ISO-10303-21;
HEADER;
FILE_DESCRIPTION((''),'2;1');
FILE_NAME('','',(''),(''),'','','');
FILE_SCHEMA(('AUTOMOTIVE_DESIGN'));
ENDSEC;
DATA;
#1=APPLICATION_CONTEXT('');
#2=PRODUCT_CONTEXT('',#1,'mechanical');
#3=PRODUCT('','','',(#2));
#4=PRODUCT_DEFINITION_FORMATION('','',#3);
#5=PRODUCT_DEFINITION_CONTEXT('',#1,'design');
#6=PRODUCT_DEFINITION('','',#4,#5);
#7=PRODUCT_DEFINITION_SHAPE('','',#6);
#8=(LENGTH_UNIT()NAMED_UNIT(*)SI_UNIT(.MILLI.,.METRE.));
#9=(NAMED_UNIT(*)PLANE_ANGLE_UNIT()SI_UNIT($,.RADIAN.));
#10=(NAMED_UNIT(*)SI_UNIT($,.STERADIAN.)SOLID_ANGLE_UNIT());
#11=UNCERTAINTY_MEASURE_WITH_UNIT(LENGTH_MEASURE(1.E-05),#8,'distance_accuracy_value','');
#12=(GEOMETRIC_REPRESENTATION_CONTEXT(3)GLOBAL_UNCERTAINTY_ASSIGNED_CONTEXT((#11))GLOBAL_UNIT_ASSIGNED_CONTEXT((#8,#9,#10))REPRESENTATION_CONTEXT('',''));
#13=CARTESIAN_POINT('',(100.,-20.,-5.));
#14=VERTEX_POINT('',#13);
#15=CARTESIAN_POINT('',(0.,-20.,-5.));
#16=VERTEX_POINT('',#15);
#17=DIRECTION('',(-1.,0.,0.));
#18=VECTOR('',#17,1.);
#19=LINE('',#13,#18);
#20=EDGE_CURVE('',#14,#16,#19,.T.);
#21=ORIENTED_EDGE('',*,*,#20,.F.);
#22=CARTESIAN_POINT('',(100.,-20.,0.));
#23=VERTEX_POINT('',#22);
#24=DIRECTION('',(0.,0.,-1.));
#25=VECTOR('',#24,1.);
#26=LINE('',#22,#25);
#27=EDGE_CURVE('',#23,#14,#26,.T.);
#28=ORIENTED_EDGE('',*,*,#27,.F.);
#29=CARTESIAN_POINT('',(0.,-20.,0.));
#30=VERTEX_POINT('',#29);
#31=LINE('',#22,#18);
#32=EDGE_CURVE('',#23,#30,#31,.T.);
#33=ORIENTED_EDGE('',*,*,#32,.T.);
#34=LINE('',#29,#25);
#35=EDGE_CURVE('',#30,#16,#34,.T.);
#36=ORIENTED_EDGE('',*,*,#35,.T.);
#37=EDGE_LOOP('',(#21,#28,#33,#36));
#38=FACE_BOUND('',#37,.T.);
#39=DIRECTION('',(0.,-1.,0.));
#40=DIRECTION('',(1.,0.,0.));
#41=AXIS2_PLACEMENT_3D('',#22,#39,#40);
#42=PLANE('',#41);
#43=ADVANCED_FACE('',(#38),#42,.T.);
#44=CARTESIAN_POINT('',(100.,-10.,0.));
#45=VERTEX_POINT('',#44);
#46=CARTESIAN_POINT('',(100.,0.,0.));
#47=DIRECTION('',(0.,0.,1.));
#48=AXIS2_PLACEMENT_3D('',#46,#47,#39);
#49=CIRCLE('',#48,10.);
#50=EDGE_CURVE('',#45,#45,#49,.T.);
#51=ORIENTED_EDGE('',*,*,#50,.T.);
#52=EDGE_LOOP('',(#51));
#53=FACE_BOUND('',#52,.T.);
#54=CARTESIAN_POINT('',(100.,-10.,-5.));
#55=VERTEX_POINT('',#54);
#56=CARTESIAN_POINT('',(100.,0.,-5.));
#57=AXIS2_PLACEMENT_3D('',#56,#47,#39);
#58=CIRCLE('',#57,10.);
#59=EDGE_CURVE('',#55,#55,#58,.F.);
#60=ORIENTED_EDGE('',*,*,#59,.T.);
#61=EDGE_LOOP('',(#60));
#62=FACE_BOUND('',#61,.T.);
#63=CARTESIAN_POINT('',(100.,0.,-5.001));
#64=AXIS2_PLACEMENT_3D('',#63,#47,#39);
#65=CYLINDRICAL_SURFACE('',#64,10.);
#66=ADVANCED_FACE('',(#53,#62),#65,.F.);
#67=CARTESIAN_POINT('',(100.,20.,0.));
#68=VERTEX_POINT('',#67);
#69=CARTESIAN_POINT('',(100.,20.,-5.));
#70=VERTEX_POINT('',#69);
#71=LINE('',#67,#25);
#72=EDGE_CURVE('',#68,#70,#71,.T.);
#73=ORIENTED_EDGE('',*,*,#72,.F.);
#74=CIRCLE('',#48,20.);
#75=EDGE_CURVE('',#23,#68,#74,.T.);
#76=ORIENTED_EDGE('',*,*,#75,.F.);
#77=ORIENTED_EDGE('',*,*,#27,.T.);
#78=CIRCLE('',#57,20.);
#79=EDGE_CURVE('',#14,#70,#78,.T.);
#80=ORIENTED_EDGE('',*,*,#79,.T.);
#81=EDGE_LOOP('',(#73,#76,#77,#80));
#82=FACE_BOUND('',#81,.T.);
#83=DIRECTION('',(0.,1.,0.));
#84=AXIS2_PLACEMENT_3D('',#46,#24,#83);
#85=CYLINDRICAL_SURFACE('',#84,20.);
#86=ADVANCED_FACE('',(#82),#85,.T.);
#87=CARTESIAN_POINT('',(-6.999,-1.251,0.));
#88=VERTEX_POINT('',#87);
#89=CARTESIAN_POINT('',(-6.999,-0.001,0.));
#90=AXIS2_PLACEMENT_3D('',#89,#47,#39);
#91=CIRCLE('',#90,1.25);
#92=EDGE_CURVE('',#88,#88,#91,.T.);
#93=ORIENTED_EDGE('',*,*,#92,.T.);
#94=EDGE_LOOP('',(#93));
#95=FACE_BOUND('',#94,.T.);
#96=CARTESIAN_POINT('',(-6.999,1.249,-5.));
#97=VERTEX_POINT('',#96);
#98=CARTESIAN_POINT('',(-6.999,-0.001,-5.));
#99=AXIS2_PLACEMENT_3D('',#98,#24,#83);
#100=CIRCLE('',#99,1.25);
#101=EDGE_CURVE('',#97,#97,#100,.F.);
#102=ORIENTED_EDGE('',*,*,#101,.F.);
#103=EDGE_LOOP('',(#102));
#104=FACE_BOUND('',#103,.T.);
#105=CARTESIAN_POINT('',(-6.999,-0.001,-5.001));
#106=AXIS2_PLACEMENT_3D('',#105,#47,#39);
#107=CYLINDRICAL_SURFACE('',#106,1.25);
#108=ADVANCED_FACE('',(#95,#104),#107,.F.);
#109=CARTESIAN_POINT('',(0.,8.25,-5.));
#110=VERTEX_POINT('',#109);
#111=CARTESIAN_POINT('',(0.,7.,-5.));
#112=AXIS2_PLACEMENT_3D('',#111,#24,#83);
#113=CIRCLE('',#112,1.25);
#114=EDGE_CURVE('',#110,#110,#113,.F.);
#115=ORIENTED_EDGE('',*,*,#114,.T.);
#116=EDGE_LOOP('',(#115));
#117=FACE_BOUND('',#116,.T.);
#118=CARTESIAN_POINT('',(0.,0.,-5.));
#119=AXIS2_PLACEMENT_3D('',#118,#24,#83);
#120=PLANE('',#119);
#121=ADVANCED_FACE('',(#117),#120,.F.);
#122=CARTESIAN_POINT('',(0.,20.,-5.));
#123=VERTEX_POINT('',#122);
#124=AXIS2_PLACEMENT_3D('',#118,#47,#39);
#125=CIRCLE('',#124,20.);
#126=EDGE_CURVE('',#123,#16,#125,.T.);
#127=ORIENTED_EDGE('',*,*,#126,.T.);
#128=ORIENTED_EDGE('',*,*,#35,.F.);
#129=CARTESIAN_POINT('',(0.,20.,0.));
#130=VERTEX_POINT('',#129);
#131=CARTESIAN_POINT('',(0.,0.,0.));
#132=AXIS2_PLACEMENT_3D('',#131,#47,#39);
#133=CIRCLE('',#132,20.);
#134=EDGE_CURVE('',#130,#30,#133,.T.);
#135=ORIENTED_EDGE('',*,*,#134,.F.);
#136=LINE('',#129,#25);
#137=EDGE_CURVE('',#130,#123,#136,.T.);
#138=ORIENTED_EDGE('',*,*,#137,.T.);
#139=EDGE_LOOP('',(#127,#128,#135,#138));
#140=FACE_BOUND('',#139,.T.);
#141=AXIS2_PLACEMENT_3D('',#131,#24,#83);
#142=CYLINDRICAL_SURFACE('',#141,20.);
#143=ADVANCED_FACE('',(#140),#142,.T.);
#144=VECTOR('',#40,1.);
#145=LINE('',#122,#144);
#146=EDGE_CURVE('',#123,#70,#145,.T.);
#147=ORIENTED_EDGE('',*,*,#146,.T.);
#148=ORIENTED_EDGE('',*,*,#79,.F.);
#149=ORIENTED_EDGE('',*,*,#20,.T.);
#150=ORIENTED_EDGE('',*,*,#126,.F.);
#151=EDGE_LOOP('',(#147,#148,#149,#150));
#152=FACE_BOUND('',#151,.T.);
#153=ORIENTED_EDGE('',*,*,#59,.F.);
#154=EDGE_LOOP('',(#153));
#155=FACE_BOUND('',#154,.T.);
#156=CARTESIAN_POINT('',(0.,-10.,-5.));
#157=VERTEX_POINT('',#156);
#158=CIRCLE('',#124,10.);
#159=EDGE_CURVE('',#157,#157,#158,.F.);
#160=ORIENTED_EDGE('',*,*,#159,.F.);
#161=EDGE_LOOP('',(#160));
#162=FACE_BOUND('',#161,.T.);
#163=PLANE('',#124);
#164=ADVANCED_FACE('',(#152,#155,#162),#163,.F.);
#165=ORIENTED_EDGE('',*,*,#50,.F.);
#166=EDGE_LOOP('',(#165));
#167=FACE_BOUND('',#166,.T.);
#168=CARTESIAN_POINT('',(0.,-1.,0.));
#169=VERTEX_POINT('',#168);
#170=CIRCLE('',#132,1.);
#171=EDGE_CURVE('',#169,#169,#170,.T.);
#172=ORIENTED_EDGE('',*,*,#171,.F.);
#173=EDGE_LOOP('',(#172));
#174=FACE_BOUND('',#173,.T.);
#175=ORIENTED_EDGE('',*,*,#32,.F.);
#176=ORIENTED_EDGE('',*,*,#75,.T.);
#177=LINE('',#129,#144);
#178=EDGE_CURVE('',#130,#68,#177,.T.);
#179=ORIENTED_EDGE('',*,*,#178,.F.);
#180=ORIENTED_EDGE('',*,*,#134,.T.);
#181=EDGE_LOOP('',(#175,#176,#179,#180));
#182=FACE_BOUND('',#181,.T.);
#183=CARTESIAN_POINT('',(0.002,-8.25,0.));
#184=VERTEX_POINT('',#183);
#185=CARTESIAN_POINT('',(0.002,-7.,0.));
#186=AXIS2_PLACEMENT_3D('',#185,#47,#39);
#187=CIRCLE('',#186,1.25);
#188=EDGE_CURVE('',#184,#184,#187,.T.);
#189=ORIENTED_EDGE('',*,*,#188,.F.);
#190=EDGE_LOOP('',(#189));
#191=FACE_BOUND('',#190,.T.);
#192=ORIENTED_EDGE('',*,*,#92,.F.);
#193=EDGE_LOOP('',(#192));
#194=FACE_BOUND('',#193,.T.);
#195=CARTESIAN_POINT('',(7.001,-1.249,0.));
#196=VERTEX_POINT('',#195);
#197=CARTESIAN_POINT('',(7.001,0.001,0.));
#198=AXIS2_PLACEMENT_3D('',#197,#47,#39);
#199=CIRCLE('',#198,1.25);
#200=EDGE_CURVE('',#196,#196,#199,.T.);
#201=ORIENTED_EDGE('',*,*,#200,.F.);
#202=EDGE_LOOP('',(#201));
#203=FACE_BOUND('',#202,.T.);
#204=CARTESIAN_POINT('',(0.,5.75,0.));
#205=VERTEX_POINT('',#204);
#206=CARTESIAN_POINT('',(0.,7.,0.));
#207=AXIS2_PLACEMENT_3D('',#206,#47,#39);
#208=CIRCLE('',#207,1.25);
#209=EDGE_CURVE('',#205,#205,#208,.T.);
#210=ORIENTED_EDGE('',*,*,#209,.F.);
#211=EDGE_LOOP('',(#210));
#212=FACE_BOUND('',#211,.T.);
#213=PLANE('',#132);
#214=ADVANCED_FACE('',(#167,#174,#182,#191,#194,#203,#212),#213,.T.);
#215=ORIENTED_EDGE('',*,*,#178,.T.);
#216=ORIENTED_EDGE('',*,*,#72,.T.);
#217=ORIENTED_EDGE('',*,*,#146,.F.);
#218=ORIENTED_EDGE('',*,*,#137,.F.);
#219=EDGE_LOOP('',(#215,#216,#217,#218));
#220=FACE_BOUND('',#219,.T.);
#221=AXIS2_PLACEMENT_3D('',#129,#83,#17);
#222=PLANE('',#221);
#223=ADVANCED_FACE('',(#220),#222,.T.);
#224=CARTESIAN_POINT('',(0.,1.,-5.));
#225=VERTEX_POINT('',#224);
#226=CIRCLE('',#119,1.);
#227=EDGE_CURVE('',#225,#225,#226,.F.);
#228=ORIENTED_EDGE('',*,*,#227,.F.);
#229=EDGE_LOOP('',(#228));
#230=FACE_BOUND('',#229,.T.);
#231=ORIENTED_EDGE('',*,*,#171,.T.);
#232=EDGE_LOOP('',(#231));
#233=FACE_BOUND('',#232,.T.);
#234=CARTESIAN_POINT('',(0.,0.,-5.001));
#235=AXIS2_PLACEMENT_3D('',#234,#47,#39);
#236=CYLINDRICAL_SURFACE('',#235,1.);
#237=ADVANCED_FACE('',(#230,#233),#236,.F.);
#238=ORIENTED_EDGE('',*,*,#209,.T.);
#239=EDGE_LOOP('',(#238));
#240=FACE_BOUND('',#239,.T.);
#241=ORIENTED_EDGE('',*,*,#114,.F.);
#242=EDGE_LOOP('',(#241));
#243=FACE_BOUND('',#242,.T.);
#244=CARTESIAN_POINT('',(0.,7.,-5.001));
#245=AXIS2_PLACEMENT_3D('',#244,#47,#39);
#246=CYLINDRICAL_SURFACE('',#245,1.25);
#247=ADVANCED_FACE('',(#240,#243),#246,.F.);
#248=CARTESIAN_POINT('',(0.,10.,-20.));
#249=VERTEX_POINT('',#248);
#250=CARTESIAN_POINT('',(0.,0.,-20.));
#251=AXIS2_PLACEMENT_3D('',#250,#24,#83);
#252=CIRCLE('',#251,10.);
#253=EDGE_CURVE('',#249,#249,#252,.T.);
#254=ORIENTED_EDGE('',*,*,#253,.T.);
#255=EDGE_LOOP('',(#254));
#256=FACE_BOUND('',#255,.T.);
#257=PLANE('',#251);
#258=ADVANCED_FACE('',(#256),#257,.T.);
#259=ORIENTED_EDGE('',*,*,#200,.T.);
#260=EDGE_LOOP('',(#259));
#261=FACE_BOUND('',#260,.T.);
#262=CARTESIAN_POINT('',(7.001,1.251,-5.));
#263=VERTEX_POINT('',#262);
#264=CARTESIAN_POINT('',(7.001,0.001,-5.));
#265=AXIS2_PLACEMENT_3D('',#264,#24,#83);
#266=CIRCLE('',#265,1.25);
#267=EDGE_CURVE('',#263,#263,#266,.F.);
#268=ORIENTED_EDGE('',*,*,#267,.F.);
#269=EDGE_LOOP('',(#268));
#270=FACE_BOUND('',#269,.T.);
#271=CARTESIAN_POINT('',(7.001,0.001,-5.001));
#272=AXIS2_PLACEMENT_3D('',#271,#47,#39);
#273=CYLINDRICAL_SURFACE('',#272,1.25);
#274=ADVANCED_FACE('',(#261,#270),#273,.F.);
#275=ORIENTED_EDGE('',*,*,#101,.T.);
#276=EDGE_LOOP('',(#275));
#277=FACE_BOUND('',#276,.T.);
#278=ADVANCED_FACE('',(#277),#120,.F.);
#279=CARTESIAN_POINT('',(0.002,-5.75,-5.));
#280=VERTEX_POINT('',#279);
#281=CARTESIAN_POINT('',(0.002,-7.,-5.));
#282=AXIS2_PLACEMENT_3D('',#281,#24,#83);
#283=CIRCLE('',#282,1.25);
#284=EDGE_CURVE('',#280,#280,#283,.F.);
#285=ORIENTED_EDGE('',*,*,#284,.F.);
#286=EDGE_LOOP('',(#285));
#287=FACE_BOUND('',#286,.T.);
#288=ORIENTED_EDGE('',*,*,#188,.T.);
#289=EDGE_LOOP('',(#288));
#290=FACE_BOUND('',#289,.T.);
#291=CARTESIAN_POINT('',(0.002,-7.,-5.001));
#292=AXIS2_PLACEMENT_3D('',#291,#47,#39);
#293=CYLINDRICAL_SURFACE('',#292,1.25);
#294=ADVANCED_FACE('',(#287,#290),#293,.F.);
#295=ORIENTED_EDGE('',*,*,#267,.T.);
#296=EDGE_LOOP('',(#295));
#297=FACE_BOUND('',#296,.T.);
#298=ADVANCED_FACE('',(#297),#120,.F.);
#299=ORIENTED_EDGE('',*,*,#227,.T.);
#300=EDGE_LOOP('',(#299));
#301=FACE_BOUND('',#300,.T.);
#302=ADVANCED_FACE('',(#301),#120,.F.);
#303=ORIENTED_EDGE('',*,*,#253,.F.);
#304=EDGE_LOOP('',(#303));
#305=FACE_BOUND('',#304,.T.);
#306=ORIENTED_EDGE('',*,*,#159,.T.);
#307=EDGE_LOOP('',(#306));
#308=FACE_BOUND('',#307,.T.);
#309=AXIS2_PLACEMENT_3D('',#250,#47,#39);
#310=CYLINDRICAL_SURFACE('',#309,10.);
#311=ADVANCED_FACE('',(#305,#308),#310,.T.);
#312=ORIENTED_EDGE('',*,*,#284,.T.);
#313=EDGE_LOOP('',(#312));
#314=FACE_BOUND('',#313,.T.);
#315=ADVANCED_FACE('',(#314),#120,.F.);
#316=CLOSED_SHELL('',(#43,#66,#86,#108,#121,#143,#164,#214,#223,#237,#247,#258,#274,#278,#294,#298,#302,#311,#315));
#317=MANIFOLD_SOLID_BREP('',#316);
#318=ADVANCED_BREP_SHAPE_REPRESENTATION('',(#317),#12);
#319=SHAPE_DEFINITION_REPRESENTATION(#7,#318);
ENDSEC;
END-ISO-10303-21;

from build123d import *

# Parameters (mm, degrees)
BOSS_EXTRUDE1_DEPTH   = 5
CUT_EXTRUDE1_REACH    = 123.758
SKETCH2_R             = 1
SKETCH2_R_2           = 1.25
CUT_EXTRUDE2_REACH    = 123.758
SKETCH3_R             = 10
SKETCH4_R             = 10
BOSS_EXTRUDE2_DEPTH   = 15
BODY_MOVE_COPY1_ANGLE = 90


with BuildPart() as part:
    # Sketch1 → Boss-Extrude1 (new body)
    with BuildSketch(Plane(origin=(0, 0, 0), x_dir=(1, 0, 0), z_dir=(0, 1, 0))):
        with BuildLine():
            Line((100, -20), (0, -20))
            ThreePointArc((0, -20), (-20, 0), (0, 20))
            Line((0, 20), (100, 20))
            ThreePointArc((100, 20), (120, 0), (100, -20))
        make_face()
    extrude(amount=BOSS_EXTRUDE1_DEPTH)

    # Sketch2 → Cut-Extrude1 (cut, up to next)
    with BuildSketch(Plane(origin=(0, 5, 0), x_dir=(1, 0, 0), z_dir=(0, 1, 0)), mode=Mode.PRIVATE) as cut_extrude1_sk1:
        with Locations(Location((0, 0, 0), (0, 0, 270))):
            Circle(SKETCH2_R)
    cut_extrude1_tool1 = extrude(cut_extrude1_sk1.sketch, amount=-CUT_EXTRUDE1_REACH, mode=Mode.PRIVATE) & part.part
    # Sketch2 → Cut-Extrude1 (cut, up to next)
    with BuildSketch(Plane(origin=(0, 5, 0), x_dir=(1, 0, 0), z_dir=(0, 1, 0)), mode=Mode.PRIVATE) as cut_extrude1_sk2:
        with Locations(Location((0, 7, 0), (0, 0, 270))):
            Circle(SKETCH2_R_2)
    cut_extrude1_tool2 = extrude(cut_extrude1_sk2.sketch, amount=-CUT_EXTRUDE1_REACH, mode=Mode.PRIVATE) & part.part
    # Sketch2 → Cut-Extrude1 (cut, up to next)
    with BuildSketch(Plane(origin=(0, 5, 0), x_dir=(1, 0, 0), z_dir=(0, 1, 0)), mode=Mode.PRIVATE) as cut_extrude1_sk3:
        with Locations(Location((7.001, 0.001, 0), (0, 0, 270))):
            Circle(SKETCH2_R_2)
    cut_extrude1_tool3 = extrude(cut_extrude1_sk3.sketch, amount=-CUT_EXTRUDE1_REACH, mode=Mode.PRIVATE) & part.part
    # Sketch2 → Cut-Extrude1 (cut, up to next)
    with BuildSketch(Plane(origin=(0, 5, 0), x_dir=(1, 0, 0), z_dir=(0, 1, 0)), mode=Mode.PRIVATE) as cut_extrude1_sk4:
        with Locations(Location((0.002, -7, 0), (0, 0, 270))):
            Circle(SKETCH2_R_2)
    cut_extrude1_tool4 = extrude(cut_extrude1_sk4.sketch, amount=-CUT_EXTRUDE1_REACH, mode=Mode.PRIVATE) & part.part
    # Sketch2 → Cut-Extrude1 (cut, up to next)
    with BuildSketch(Plane(origin=(0, 5, 0), x_dir=(1, 0, 0), z_dir=(0, 1, 0)), mode=Mode.PRIVATE) as cut_extrude1_sk5:
        with Locations(Location((-6.999, -0.001, 0), (0, 0, 270))):
            Circle(SKETCH2_R_2)
    cut_extrude1_tool5 = extrude(cut_extrude1_sk5.sketch, amount=-CUT_EXTRUDE1_REACH, mode=Mode.PRIVATE) & part.part
    add(cut_extrude1_tool1.solids().sort_by_distance((0, 5, 0))[0], mode=Mode.SUBTRACT)
    add(cut_extrude1_tool2.solids().sort_by_distance((0, 5, -7))[0], mode=Mode.SUBTRACT)
    add(cut_extrude1_tool3.solids().sort_by_distance((7.001, 5, -0.001))[0], mode=Mode.SUBTRACT)
    add(cut_extrude1_tool4.solids().sort_by_distance((0.002, 5, 7))[0], mode=Mode.SUBTRACT)
    add(cut_extrude1_tool5.solids().sort_by_distance((-6.999, 5, 0.001))[0], mode=Mode.SUBTRACT)

    # Sketch3 → Cut-Extrude2 (cut, up to next)
    with BuildSketch(Plane(origin=(0, 5, 0), x_dir=(1, 0, 0), z_dir=(0, 1, 0)), mode=Mode.PRIVATE) as cut_extrude2_sk1:
        with Locations(Location((100, 0, 0), (0, 0, 270))):
            Circle(SKETCH3_R)
    cut_extrude2_tool1 = extrude(cut_extrude2_sk1.sketch, amount=-CUT_EXTRUDE2_REACH, mode=Mode.PRIVATE) & part.part
    add(cut_extrude2_tool1.solids().sort_by_distance((100, 5, 0))[0], mode=Mode.SUBTRACT)

    # Sketch4 → Boss-Extrude2 (add)
    with BuildSketch(Plane.XZ):
        with Locations(Location((0, 0, 0), (0, 0, 90))):
            Circle(SKETCH4_R)
    extrude(amount=BOSS_EXTRUDE2_DEPTH)


with BuildPart() as part_1:
    # Body-Move/Copy1: moved
    add(part.part.rotate(Axis((0, 0, 0), (1, 0, 0)), BODY_MOVE_COPY1_ANGLE))


with BuildPart() as part_2:
    # Body-Move/Copy2: moved
    add(part_1.part.moved(Location((0, 0, -5))))


solid = part_2.part
